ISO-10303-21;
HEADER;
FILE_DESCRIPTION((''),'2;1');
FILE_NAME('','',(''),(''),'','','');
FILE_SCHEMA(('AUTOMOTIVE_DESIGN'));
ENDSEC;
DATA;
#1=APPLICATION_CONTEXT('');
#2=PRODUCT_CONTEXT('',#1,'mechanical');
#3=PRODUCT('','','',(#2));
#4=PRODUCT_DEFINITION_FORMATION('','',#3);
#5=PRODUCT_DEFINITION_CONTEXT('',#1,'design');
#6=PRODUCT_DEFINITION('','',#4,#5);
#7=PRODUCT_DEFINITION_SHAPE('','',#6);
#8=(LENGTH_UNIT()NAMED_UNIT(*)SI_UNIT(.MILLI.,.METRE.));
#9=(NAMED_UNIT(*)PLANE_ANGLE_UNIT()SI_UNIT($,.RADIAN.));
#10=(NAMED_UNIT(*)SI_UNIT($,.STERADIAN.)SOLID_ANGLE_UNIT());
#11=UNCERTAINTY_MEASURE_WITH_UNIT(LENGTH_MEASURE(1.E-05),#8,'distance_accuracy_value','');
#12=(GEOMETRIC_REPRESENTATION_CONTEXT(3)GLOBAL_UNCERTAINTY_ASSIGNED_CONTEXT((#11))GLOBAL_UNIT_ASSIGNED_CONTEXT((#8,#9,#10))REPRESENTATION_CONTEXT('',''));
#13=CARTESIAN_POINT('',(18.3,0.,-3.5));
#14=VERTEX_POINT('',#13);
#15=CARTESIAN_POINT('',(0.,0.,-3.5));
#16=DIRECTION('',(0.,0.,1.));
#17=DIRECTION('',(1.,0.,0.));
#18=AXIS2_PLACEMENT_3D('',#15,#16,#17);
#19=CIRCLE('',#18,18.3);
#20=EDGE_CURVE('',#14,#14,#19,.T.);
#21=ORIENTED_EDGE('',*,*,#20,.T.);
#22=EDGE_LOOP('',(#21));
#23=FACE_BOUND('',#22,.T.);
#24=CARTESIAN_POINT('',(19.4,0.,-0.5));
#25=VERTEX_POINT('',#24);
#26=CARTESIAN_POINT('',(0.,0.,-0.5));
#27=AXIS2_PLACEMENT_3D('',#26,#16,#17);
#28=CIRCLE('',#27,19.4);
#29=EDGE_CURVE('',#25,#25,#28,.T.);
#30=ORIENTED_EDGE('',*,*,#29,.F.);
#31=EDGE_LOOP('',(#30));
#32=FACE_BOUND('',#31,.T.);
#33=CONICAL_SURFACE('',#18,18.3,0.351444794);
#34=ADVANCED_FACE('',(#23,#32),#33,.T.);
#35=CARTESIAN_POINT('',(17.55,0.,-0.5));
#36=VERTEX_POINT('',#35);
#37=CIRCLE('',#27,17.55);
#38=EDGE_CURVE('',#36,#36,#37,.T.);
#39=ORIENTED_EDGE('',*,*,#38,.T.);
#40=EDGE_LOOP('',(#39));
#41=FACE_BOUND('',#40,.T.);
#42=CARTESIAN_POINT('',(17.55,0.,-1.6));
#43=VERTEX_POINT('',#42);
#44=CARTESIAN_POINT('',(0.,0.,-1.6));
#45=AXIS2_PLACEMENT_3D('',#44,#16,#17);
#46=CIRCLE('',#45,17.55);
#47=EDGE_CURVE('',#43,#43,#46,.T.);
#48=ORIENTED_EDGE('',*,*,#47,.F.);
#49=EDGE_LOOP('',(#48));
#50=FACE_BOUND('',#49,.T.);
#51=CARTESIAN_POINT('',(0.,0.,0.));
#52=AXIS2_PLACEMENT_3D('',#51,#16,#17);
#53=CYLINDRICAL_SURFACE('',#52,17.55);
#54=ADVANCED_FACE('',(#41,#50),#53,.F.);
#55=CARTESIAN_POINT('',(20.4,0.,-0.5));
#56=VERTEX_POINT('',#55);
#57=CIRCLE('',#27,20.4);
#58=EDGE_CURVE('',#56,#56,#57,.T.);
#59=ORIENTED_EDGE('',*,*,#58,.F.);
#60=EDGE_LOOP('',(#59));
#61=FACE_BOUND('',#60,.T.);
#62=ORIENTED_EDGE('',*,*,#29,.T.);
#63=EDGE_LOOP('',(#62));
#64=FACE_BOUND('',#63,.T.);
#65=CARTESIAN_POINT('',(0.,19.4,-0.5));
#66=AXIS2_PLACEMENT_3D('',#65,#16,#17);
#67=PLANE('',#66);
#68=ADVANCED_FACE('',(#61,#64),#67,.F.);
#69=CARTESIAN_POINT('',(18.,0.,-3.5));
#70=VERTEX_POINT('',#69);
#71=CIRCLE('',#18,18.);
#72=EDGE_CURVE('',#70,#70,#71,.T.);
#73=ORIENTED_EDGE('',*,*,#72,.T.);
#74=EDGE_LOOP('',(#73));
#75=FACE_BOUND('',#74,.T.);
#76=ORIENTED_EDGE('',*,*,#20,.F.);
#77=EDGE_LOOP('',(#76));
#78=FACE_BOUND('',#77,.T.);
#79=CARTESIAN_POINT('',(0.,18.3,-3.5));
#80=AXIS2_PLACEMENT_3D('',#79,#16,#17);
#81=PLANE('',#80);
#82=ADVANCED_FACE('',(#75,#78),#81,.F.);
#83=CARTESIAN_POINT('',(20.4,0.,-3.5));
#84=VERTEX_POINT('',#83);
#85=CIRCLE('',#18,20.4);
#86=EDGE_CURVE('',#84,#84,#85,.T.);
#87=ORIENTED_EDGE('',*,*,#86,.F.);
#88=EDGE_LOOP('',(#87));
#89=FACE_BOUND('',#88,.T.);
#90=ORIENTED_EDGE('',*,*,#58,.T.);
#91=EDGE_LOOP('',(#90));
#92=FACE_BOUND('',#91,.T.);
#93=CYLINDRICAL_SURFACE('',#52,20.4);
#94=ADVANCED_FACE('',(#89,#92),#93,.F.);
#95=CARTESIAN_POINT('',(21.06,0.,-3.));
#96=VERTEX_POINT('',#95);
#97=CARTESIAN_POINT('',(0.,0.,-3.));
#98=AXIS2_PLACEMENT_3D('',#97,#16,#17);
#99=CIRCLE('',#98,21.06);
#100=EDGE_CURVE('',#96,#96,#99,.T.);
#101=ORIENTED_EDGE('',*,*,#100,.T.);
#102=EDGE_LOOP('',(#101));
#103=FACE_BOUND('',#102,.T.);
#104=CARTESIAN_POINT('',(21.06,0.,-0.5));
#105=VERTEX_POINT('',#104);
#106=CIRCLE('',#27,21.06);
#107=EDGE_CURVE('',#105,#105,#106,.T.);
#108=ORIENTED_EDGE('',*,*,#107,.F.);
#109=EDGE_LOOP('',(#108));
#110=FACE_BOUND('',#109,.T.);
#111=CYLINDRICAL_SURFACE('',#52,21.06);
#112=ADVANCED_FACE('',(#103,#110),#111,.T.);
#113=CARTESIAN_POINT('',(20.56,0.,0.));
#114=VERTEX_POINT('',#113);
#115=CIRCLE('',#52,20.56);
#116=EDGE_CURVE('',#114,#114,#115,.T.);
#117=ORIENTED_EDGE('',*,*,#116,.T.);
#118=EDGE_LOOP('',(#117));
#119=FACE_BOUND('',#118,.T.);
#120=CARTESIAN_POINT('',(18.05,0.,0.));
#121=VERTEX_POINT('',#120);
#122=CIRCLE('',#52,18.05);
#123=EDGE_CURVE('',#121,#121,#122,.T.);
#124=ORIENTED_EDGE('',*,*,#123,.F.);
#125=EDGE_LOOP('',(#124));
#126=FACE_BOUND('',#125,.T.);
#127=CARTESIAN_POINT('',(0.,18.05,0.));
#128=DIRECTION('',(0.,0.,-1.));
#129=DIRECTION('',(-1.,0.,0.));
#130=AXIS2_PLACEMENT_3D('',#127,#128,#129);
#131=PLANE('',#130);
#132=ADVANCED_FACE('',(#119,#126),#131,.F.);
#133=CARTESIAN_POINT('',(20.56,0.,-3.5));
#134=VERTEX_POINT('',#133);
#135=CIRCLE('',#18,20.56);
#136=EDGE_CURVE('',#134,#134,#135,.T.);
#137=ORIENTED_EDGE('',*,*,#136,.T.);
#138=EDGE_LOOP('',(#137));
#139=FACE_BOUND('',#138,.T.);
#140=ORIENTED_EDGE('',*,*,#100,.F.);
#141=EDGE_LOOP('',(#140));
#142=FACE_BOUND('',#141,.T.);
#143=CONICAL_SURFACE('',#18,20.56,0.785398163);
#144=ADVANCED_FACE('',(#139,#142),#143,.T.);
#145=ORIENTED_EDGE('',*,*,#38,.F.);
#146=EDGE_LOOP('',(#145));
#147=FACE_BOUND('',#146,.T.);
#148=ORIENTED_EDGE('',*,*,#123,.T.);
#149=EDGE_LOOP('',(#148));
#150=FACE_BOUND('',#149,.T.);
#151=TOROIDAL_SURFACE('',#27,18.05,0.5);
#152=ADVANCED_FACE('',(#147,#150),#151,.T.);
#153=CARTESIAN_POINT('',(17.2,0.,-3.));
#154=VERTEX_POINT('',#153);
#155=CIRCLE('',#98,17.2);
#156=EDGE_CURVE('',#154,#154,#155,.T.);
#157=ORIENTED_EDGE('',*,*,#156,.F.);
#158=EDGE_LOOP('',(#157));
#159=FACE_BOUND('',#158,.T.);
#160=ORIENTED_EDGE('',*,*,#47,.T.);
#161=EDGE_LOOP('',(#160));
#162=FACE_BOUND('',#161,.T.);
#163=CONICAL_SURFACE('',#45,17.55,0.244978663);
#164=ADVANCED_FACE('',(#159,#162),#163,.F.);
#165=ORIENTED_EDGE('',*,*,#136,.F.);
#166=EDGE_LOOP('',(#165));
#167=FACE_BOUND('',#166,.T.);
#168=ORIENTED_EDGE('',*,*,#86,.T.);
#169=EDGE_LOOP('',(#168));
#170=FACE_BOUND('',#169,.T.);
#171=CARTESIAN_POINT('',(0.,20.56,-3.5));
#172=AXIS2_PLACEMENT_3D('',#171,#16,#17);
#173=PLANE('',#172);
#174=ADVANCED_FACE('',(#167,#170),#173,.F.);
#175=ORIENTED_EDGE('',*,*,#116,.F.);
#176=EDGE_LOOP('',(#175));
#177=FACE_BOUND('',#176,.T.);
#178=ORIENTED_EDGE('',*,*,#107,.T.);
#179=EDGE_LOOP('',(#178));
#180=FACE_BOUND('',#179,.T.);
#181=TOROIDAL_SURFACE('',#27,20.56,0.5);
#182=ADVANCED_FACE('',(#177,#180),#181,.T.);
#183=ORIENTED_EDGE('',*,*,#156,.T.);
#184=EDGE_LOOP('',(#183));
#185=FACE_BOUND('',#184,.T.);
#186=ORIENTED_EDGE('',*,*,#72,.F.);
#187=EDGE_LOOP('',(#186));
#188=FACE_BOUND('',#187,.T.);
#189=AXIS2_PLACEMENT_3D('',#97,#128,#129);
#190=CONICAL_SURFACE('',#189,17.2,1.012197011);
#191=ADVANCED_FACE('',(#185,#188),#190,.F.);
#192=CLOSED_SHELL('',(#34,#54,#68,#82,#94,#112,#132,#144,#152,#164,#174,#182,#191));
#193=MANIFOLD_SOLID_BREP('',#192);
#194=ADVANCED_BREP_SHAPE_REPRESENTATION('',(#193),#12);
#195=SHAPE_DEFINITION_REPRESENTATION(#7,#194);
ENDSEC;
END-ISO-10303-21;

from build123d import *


with BuildPart() as part:
    # Sketch1 → Revolve1 (revolve)
    with BuildSketch(Plane(origin=(0, 0, 0), x_dir=(0, 0, -1), z_dir=(1, 0, 0)), mode=Mode.PRIVATE) as revolve1_sk:
        with BuildLine():
            Line((0, 18.05), (0, 20.56))
            ThreePointArc((0, 20.56), (0.146446609, 20.913553391), (0.5, 21.06))
            Line((0.5, 21.06), (3, 21.06))
            Line((3, 21.06), (3.5, 20.56))
            Line((3.5, 20.56), (3.5, 20.4))
            Line((3.5, 20.4), (0.5, 20.4))
            Line((0.5, 20.4), (0.5, 19.4))
            Line((0.5, 19.4), (3.5, 18.3))
            Line((3.5, 18.3), (3.5, 18))
            Line((3.5, 18), (3, 17.2))
            Line((3, 17.2), (1.6, 17.55))
            Line((1.6, 17.55), (0.5, 17.55))
            ThreePointArc((0.5, 17.55), (0.146446609, 17.696446609), (0, 18.05))
        make_face()
    revolve(revolve1_sk.sketch.rotate(Axis((0, 0, 0), (0, 0, -1)), 90), axis=Axis((0, 0, 0), (0, 0, -1)))


solid = part.part
